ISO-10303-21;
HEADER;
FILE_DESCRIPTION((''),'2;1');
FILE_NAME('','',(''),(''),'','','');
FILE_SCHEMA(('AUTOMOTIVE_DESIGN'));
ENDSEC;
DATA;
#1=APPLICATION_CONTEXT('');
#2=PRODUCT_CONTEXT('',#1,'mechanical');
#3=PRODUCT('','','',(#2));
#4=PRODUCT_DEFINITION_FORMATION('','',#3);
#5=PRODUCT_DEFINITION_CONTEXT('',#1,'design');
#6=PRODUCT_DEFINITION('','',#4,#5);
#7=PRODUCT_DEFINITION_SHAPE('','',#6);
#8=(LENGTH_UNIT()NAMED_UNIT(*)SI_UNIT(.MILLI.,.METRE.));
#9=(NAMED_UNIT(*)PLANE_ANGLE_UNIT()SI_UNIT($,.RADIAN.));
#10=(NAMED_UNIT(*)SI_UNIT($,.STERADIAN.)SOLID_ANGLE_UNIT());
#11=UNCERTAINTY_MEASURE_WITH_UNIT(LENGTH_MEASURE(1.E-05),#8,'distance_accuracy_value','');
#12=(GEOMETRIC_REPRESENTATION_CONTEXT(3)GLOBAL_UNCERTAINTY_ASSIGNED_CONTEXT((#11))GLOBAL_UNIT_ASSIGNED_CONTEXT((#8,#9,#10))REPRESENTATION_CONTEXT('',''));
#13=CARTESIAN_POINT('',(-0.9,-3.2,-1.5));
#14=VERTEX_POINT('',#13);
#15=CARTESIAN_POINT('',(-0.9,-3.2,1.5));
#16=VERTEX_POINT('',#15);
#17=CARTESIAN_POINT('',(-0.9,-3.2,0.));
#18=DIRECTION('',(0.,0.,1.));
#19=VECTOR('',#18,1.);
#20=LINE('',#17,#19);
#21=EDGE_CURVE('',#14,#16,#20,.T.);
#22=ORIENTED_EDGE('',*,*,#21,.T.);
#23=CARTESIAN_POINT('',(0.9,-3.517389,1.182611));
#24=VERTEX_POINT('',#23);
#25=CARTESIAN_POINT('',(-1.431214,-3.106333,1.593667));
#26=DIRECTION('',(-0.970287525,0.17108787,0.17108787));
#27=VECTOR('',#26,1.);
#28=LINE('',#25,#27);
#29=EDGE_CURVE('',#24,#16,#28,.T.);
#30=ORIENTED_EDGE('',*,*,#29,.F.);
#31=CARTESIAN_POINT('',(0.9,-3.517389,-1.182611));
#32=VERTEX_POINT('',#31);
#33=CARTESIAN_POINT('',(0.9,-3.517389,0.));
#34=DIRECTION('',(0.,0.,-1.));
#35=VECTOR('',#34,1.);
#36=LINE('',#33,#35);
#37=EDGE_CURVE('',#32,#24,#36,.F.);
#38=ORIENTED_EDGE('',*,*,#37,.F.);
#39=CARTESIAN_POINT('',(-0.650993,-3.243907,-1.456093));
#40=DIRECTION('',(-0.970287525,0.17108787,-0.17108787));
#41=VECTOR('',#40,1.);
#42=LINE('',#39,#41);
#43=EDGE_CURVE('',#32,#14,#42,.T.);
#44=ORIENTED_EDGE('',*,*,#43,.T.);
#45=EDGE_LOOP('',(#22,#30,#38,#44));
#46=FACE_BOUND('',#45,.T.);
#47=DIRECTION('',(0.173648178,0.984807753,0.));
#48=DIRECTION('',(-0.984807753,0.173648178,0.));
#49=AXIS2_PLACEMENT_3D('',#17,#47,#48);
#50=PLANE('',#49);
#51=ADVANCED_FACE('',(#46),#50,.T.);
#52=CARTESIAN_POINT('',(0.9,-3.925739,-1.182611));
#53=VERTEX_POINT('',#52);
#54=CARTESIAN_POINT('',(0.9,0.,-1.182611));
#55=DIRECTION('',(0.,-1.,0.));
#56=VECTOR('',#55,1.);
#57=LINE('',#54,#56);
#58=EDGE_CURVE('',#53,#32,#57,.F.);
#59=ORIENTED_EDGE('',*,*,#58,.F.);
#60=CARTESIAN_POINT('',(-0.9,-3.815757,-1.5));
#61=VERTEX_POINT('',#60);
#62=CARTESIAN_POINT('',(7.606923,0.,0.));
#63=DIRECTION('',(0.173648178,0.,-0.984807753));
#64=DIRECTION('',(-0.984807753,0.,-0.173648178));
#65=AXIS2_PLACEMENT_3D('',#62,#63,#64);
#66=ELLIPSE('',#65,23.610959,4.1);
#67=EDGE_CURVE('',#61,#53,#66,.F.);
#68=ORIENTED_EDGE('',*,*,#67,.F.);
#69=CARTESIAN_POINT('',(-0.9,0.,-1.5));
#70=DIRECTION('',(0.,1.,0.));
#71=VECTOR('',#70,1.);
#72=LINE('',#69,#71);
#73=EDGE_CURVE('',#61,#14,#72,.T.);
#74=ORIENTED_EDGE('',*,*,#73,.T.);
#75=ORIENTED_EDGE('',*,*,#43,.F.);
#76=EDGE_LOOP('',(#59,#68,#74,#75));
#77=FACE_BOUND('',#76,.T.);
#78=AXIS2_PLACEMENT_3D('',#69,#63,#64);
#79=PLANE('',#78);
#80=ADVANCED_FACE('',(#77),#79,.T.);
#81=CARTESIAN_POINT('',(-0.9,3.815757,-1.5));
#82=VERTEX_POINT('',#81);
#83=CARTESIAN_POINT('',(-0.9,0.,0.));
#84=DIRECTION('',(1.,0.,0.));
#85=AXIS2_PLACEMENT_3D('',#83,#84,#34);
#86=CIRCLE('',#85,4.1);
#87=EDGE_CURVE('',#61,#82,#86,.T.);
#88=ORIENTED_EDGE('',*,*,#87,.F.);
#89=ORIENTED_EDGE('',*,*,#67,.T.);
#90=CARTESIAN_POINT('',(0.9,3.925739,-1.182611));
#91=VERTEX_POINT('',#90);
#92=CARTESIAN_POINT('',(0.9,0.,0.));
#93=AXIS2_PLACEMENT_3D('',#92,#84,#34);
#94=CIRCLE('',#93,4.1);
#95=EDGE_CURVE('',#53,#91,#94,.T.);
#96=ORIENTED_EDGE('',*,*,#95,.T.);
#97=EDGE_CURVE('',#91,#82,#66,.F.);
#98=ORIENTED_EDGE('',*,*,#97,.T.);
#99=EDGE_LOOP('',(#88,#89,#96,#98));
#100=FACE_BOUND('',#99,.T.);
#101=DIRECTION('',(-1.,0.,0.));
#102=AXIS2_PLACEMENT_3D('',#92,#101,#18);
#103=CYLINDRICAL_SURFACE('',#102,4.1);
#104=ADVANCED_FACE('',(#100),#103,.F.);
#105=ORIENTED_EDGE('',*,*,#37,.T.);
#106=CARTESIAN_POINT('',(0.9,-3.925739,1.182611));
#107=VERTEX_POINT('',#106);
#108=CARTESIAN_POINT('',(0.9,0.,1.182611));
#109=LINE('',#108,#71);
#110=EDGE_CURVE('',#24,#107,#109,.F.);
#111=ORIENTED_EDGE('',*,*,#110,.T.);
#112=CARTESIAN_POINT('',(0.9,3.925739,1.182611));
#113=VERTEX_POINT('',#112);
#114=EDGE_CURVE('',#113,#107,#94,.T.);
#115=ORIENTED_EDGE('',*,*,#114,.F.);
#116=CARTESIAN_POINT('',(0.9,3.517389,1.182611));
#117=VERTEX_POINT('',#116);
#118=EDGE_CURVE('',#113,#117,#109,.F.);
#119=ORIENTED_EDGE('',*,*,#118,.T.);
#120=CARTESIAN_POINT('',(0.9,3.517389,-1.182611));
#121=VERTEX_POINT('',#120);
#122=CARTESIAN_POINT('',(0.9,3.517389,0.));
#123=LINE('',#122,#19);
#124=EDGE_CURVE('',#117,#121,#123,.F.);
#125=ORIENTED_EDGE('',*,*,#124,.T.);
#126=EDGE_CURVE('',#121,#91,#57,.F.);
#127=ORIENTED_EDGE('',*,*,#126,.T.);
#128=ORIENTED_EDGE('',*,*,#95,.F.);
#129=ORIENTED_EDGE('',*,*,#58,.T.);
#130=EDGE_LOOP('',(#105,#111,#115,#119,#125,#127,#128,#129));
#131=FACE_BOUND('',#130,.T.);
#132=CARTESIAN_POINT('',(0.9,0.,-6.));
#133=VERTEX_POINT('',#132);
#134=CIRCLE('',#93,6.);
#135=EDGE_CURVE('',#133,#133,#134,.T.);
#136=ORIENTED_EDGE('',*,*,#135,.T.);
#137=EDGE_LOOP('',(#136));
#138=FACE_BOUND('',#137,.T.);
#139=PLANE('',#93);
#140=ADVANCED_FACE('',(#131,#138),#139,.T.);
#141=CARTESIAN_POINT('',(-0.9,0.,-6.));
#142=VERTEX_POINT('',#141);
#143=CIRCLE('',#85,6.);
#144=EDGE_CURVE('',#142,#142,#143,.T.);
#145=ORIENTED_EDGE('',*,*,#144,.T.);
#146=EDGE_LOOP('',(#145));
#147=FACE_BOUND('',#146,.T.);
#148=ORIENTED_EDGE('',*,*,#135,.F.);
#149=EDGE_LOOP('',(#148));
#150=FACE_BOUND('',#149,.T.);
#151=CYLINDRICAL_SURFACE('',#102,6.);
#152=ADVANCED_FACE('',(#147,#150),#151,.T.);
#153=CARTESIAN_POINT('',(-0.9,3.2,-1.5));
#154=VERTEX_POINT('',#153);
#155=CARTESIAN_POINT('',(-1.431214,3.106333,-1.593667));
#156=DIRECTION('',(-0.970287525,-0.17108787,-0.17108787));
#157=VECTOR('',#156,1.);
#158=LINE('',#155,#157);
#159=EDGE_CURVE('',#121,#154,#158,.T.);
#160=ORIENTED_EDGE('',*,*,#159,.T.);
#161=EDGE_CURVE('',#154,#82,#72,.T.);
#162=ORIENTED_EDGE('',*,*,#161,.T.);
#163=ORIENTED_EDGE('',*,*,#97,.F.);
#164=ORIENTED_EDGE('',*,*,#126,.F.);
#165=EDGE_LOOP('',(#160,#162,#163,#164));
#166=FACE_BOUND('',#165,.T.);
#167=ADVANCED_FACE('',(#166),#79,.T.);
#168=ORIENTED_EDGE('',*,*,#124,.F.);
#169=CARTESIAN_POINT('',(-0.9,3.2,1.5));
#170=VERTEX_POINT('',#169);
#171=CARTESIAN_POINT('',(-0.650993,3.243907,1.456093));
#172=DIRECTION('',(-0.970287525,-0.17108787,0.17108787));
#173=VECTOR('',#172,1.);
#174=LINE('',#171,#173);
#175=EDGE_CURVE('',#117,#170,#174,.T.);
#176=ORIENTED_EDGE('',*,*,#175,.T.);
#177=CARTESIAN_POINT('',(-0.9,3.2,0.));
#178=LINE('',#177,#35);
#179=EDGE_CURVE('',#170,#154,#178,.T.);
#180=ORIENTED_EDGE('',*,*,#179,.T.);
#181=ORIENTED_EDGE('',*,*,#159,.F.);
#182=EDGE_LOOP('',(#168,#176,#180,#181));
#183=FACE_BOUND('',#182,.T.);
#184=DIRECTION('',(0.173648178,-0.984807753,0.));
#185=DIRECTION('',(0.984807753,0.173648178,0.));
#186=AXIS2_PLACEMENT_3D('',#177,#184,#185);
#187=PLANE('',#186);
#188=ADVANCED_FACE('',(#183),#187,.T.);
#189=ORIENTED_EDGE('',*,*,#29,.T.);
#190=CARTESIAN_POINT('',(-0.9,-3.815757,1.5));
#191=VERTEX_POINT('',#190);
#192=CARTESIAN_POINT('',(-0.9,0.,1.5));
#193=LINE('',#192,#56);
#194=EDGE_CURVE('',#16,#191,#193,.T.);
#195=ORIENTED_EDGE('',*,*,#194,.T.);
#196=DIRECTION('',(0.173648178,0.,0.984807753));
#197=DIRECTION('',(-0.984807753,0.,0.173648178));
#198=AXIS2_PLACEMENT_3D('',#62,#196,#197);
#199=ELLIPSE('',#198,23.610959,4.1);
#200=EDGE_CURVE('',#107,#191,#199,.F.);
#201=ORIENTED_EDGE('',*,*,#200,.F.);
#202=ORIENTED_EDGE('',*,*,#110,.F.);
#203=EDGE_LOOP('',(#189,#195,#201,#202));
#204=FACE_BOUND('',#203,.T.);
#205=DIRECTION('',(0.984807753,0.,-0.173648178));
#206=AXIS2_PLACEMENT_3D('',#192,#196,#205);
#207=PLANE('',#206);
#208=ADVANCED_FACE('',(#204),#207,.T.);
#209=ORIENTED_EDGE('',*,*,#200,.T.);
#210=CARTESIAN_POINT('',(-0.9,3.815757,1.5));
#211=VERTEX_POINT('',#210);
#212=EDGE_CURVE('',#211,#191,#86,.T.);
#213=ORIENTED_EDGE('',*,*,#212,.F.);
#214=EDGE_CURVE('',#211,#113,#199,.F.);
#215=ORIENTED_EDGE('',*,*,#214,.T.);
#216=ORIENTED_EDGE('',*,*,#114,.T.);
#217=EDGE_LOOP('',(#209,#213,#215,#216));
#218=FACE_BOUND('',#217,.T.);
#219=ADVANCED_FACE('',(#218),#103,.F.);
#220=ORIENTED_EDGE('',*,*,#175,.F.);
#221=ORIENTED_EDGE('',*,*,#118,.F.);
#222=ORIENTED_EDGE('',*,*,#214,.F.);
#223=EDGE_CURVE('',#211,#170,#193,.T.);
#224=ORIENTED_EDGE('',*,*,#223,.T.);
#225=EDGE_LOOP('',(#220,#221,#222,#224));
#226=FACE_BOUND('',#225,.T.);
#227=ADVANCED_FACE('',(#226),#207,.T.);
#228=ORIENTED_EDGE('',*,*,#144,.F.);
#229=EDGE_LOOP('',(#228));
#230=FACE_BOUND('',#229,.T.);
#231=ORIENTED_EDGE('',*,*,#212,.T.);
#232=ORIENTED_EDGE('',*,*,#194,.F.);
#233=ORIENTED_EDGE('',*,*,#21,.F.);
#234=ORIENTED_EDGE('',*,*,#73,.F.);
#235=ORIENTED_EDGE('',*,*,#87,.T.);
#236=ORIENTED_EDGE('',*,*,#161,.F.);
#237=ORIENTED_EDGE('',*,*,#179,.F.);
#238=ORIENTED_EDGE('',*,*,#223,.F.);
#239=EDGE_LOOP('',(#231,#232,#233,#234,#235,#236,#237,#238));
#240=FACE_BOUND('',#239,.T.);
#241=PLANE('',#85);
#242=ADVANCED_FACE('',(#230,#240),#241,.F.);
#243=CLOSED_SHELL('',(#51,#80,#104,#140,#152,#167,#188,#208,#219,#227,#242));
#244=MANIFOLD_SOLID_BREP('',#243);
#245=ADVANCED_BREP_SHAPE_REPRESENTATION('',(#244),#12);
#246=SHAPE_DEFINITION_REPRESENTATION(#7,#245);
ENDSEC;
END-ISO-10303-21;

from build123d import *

# Parameters (mm, degrees)
SKETCH1_R                     = 6
SKETCH1_R_2                   = 4.1
BOSS_EXTRUDE1_DEPTH           = 0.9
BOSS_EXTRUDE2_START           = -0.9
BOSS_EXTRUDE2_DEPTH           = 1.8
BOSS_EXTRUDE2_DRAFT           = 10
BOSS_EXTRUDE2_PROFILE_2_DEPTH = 1.8
BOSS_EXTRUDE2_PROFILE_2_DRAFT = 10


with BuildPart() as part:
    # Sketch1 → Boss-Extrude1 (new, symmetric)
    with BuildSketch(Plane.YZ):
        with Locations(Location((0, 0, 0), (0, 0, 270))):
            Circle(SKETCH1_R)
        with Locations(Location((0, 0, 0), (0, 0, 270))):
            Circle(SKETCH1_R_2, mode=Mode.SUBTRACT)
    extrude(amount=BOSS_EXTRUDE1_DEPTH, both=True)


with BuildPart() as boss_extrude2_tool:
    # Sketch2 → Boss-Extrude2 (with draft: the straight prism first)
    with BuildSketch(Plane.YZ.offset(BOSS_EXTRUDE2_START)):
        with BuildLine():
            Line((5.809475019, 1.5), (3.2, 1.5))
            Line((3.2, 1.5), (3.2, -1.5))
            Line((3.2, -1.5), (5.809475019, -1.5))
            ThreePointArc((5.809475019, -1.5), (6, 0), (5.809475019, 1.5))
        make_face()
    extrude(amount=BOSS_EXTRUDE2_DEPTH)
    # Boss-Extrude2: the draft: its side faces are tilted about the plane it starts from
    boss_extrude2_sides = [boss_extrude2_tool.faces().sort_by_distance(p)[0] for p in [
        (0, 4.50473751, 1.5),
        (0, 3.2, 0),
        (0, 4.50473751, -1.5),
        (0, 6, 0),
    ]]
    draft(boss_extrude2_sides, Plane.YZ.offset(BOSS_EXTRUDE2_START), BOSS_EXTRUDE2_DRAFT)


with BuildPart() as part_1:
    add(part.part)

    # Boss-Extrude2: add boss_extrude2_tool
    add(boss_extrude2_tool.part)


with BuildPart() as boss_extrude2_profile_2_tool:
    # Sketch2 → Boss-Extrude2 profile 2 (with draft: the straight prism first)
    with BuildSketch(Plane.YZ.offset(BOSS_EXTRUDE2_START)):
        with BuildLine():
            ThreePointArc((-5.809475019, 1.5), (-6, 0), (-5.809475019, -1.5))
            Line((-5.809475019, -1.5), (-3.2, -1.5))
            Line((-3.2, -1.5), (-3.2, 1.5))
            Line((-3.2, 1.5), (-5.809475019, 1.5))
        make_face()
    extrude(amount=BOSS_EXTRUDE2_PROFILE_2_DEPTH)
    # Boss-Extrude2 profile 2: the draft: its side faces are tilted about the plane it starts from
    boss_extrude2_profile_2_sides = [boss_extrude2_profile_2_tool.faces().sort_by_distance(p)[0] for p in [
        (0, -6, 0),
        (0, -4.50473751, -1.5),
        (0, -3.2, 0),
        (0, -4.50473751, 1.5),
    ]]
    draft(boss_extrude2_profile_2_sides, Plane.YZ.offset(BOSS_EXTRUDE2_START), BOSS_EXTRUDE2_PROFILE_2_DRAFT)


with BuildPart() as part_2:
    add(part_1.part)

    # Boss-Extrude2 profile 2: add boss_extrude2_profile_2_tool
    add(boss_extrude2_profile_2_tool.part)


solid = part_2.part
